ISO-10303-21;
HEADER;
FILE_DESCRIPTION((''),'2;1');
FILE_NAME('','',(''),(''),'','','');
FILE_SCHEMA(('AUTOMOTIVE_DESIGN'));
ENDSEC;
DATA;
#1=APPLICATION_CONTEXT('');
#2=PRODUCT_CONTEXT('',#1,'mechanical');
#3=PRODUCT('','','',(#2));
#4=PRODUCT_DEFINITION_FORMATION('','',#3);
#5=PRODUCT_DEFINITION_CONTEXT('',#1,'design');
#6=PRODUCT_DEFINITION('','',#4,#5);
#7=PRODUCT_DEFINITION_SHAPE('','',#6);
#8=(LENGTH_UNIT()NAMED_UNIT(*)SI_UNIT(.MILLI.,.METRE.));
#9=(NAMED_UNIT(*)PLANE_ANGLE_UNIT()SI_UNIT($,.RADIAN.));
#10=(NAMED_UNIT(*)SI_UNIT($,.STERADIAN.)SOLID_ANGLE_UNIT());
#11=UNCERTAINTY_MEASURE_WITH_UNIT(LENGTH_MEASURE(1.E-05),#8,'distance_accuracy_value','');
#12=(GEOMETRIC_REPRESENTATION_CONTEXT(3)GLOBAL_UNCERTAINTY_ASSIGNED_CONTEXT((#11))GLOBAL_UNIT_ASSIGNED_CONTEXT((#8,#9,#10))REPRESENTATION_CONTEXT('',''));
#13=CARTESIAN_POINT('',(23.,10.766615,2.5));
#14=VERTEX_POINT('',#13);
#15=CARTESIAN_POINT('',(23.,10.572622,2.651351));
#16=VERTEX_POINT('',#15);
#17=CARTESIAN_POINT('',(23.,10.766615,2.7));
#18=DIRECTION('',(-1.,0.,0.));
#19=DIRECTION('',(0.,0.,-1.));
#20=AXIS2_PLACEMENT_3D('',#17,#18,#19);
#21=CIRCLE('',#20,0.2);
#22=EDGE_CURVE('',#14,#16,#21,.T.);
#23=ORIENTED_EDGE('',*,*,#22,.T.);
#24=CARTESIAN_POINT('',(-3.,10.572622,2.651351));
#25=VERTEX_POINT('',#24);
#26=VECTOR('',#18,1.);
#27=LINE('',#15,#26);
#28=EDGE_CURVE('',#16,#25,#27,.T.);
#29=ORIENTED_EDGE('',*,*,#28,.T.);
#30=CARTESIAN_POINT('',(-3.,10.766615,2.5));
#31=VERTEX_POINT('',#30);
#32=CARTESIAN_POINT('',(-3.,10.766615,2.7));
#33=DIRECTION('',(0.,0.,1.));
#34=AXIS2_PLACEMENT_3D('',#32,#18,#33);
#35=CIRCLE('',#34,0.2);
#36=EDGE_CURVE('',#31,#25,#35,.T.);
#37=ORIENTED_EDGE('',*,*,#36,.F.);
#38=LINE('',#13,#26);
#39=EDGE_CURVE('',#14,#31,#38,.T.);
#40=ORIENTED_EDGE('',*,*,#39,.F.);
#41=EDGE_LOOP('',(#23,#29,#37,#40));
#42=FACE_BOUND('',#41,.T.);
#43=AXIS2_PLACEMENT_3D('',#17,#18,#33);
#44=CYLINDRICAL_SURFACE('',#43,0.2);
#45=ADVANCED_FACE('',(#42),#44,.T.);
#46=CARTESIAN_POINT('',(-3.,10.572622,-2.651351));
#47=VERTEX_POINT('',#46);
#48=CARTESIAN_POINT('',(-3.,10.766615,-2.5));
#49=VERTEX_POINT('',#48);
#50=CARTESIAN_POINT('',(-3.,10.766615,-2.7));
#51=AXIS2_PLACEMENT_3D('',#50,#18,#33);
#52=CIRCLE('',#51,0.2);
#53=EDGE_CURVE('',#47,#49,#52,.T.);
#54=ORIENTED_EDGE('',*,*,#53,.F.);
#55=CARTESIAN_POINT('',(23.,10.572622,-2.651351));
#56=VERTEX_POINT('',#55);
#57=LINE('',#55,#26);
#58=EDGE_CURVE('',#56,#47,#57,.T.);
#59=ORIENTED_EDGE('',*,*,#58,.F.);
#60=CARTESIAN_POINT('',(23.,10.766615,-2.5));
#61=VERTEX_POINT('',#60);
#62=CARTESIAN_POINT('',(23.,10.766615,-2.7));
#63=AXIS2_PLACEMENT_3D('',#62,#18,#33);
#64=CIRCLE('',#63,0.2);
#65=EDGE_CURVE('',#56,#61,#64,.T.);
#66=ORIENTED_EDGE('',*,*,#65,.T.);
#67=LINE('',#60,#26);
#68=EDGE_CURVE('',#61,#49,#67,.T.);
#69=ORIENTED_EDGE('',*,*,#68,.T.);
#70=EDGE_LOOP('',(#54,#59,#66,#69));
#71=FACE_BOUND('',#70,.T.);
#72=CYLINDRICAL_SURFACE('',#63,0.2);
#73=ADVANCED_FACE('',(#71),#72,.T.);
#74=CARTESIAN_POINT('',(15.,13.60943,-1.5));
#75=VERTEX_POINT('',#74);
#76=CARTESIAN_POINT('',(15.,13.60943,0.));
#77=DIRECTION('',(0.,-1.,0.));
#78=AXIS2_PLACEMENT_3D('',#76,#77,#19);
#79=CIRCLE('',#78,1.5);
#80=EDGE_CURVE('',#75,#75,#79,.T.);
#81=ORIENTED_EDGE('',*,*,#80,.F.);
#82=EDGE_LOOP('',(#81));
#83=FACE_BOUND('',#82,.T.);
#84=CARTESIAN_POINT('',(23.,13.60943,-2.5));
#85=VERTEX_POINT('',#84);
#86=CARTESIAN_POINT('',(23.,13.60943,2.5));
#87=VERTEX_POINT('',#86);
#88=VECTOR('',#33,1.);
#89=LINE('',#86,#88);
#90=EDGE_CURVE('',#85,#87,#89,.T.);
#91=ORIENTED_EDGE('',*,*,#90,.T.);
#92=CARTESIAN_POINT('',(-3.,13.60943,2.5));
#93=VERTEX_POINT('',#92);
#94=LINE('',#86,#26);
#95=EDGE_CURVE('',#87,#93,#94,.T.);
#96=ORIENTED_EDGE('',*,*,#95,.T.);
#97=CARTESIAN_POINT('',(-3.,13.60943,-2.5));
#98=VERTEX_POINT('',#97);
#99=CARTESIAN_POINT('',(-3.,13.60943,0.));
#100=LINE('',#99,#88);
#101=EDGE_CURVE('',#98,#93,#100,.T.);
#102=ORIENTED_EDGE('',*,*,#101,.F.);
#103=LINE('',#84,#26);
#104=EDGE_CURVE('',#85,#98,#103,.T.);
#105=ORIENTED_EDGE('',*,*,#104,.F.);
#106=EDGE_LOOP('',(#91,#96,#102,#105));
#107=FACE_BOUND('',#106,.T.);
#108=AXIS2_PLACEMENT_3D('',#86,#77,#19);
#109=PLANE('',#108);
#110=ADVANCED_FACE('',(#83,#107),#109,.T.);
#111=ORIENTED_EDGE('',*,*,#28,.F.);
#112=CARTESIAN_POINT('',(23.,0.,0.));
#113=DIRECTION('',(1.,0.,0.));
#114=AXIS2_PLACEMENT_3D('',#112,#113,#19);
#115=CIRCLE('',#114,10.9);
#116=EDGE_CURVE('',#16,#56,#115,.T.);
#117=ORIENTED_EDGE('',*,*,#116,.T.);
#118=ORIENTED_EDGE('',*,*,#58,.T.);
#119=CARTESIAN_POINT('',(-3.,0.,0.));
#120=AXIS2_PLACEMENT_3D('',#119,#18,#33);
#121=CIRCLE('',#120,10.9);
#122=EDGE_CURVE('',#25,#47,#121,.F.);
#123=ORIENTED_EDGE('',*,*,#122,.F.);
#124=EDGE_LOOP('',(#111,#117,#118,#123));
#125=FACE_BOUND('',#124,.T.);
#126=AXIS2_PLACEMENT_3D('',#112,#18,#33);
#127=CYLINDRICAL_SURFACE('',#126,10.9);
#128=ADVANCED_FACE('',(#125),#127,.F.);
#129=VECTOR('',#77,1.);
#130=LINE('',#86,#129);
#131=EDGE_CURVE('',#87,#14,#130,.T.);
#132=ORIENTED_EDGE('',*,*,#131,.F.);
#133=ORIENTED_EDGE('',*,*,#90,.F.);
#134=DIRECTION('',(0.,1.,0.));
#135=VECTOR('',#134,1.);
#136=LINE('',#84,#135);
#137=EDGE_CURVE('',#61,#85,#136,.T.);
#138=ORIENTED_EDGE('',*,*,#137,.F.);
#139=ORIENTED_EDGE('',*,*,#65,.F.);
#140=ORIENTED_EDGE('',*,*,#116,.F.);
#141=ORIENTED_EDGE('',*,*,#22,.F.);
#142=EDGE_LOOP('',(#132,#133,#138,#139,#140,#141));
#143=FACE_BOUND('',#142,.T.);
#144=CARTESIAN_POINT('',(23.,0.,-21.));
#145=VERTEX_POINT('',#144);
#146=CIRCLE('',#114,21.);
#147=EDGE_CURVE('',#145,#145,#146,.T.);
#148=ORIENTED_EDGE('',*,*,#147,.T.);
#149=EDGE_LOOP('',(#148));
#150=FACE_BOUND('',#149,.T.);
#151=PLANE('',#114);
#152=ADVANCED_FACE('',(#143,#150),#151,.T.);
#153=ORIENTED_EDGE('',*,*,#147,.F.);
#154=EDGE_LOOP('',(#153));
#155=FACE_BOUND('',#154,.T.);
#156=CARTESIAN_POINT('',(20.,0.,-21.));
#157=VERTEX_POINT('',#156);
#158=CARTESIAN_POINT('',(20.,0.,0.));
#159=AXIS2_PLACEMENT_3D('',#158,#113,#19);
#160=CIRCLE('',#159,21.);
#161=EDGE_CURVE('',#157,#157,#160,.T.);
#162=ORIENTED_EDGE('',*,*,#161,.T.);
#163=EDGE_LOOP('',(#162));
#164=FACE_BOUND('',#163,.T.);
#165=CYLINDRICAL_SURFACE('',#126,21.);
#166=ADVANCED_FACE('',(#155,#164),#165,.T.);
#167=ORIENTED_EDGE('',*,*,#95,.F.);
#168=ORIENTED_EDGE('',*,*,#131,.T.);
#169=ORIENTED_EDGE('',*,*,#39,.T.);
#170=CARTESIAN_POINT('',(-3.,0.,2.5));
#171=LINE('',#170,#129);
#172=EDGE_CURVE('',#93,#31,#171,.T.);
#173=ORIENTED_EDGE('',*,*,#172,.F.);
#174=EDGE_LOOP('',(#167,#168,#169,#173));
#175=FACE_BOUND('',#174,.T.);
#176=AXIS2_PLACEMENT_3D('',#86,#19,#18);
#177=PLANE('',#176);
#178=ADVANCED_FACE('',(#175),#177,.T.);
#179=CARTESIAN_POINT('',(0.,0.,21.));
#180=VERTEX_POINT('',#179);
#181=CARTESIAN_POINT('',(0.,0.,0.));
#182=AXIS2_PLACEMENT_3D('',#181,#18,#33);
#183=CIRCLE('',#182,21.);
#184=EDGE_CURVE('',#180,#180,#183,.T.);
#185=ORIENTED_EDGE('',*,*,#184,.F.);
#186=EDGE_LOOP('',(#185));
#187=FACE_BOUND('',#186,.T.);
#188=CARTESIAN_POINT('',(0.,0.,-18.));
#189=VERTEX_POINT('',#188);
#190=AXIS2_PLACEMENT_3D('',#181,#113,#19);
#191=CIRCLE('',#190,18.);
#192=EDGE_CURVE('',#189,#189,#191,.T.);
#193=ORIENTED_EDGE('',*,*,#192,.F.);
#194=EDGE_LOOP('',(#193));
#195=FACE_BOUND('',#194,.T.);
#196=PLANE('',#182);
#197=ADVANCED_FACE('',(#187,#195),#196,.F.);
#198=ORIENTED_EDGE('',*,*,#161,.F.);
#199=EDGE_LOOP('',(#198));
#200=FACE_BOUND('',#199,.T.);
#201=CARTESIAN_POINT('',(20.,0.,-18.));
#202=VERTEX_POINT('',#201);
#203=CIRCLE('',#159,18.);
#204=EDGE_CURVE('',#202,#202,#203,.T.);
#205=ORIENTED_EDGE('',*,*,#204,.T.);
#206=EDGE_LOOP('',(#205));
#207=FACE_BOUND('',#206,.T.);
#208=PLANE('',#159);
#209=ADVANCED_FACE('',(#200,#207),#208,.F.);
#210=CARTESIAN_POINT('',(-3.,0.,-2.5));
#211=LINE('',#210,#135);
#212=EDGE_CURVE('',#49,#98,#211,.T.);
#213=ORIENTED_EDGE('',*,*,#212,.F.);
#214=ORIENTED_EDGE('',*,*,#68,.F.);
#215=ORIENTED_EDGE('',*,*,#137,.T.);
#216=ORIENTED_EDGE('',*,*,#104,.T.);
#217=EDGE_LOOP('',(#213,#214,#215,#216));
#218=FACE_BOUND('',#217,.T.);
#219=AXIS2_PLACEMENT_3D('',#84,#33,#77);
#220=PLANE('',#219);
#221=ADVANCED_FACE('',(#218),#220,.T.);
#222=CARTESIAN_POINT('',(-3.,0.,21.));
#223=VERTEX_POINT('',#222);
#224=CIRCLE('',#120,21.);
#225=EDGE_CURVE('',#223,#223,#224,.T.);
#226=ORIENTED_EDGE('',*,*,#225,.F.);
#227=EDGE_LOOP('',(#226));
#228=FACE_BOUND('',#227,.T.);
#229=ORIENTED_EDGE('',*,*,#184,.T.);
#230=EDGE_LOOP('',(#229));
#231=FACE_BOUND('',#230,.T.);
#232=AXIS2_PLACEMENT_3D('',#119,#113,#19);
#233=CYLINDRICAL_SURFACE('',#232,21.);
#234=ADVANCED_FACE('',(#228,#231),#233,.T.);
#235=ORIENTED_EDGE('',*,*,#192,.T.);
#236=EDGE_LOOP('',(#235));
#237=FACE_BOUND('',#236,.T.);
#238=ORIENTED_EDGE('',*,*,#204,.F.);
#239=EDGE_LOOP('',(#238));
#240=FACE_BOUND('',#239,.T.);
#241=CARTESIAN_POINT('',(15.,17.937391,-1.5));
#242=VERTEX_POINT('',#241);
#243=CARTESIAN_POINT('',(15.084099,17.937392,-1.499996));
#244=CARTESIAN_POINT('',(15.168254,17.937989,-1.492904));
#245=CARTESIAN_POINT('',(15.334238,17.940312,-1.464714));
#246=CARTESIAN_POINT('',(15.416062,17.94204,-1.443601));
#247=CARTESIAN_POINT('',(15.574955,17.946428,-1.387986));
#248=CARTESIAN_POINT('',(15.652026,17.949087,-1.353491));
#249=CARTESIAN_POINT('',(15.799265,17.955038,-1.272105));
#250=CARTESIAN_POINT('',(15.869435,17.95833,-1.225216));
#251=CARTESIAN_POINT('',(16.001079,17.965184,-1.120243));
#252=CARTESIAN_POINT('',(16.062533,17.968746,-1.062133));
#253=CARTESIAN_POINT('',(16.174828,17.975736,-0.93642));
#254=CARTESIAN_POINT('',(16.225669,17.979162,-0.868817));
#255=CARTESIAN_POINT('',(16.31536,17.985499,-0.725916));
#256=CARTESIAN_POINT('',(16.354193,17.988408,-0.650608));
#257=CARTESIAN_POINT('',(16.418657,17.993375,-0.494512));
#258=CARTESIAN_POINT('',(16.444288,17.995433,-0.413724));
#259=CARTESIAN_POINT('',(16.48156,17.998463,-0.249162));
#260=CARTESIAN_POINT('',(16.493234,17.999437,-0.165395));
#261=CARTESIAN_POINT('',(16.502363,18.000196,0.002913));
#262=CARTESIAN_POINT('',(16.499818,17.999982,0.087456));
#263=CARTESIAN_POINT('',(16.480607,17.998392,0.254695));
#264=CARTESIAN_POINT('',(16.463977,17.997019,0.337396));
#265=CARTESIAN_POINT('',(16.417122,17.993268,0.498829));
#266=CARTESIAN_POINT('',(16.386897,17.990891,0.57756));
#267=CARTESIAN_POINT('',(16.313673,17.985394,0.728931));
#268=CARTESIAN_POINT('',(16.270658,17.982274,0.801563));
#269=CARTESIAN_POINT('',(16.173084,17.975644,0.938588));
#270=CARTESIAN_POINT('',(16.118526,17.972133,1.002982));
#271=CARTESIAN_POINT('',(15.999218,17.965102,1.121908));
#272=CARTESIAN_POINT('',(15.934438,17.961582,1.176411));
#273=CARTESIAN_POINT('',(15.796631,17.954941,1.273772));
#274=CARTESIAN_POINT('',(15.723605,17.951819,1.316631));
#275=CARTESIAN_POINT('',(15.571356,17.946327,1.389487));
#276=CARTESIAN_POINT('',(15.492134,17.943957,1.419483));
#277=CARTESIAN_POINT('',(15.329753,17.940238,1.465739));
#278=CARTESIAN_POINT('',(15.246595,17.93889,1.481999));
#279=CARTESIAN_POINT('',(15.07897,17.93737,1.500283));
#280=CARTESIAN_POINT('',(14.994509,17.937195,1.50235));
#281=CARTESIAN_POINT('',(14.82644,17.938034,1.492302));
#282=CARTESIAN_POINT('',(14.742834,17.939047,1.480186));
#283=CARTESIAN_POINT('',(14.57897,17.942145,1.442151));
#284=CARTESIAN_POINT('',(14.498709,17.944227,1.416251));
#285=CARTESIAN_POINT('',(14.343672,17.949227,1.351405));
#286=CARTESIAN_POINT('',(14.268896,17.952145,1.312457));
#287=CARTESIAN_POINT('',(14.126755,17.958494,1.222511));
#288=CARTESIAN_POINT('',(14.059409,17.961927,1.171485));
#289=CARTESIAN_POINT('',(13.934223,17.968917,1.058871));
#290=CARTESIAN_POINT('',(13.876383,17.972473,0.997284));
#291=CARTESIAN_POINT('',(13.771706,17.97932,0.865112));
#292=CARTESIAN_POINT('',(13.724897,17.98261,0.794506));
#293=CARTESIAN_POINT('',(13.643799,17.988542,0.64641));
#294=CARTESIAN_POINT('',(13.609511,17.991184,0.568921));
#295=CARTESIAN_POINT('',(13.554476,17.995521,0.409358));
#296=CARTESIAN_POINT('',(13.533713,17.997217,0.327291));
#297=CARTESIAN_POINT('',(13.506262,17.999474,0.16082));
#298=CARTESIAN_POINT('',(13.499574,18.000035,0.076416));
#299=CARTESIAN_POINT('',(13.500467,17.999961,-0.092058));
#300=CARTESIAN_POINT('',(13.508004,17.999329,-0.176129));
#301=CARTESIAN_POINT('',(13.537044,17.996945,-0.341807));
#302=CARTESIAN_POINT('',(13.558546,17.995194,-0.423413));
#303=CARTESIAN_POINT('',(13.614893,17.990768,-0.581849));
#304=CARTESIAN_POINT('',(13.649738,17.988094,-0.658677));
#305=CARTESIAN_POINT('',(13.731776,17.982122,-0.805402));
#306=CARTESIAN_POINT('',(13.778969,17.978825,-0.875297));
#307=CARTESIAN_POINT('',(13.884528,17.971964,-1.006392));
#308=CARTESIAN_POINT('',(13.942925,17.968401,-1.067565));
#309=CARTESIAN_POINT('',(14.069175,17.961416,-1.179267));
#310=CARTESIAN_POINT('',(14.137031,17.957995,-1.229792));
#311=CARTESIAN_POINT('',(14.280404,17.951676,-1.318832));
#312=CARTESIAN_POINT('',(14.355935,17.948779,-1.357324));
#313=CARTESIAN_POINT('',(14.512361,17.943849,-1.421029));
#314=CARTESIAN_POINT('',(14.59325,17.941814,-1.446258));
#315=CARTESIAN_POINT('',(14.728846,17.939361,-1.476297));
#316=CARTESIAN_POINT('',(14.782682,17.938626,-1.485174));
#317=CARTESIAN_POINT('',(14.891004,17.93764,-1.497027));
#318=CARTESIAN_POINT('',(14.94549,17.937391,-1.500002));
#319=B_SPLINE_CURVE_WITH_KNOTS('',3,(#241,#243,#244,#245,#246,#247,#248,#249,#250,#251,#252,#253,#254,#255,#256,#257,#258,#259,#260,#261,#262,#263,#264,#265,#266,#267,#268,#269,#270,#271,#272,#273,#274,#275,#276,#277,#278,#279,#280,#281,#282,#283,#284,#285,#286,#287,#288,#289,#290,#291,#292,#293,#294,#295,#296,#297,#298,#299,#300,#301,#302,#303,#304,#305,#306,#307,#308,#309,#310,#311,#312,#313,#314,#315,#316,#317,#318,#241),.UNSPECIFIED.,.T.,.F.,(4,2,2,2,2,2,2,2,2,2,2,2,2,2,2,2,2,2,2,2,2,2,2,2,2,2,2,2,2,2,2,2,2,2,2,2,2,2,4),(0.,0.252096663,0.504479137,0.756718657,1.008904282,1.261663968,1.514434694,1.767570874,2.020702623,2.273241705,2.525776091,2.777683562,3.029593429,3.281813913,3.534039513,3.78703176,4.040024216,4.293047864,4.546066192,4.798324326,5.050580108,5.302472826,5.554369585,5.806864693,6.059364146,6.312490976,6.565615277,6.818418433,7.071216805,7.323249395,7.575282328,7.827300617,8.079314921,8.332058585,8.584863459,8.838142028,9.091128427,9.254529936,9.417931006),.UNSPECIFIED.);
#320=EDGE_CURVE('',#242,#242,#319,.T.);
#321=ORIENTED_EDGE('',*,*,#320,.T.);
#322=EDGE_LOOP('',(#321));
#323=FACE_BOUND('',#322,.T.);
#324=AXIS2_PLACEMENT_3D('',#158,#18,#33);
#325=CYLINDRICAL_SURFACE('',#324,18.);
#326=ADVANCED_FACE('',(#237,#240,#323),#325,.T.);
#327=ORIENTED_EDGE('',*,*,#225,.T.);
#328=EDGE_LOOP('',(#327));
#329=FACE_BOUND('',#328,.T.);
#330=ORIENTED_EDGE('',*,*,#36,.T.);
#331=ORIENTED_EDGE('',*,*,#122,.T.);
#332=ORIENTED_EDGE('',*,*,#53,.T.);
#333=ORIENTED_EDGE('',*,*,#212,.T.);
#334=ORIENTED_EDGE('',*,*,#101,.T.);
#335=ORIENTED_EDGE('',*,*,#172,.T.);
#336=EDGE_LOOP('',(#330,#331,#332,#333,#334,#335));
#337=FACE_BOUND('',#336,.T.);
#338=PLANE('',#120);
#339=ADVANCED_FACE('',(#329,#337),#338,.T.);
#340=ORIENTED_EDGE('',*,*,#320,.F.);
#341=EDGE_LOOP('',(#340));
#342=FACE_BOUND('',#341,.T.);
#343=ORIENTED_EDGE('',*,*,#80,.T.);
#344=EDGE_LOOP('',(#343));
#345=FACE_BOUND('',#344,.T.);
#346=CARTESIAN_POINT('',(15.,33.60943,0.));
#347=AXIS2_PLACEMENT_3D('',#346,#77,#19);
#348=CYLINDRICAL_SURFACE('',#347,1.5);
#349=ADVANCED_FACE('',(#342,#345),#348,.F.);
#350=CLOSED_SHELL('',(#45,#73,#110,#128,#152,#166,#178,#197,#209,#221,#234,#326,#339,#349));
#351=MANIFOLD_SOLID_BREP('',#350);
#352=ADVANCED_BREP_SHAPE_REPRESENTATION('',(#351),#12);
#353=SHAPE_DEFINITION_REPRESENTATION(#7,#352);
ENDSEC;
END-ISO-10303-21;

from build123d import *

# Parameters (mm, degrees)
SKETCH1_R               = 18
BOSS_EXTRUDE1_DEPTH     = 20
SKETCH3_R               = 21
BOSS_EXTRUDE2_DEPTH     = 3
SKETCH4_R               = 21
BOSS_EXTRUDE3_DEPTH     = 3
CUT_EXTRUDE2_DEPTH      = 3
CUT_EXTRUDE2_DEPTH_BACK = 25
SKETCH6_R               = 1.5
CUT_EXTRUDE3_DEPTH      = 20


with BuildPart() as part:
    # Sketch1 → Boss-Extrude1 (new body)
    with BuildSketch(Plane(origin=(0, 0, 0), x_dir=(0, 0, -1), z_dir=(1, 0, 0))):
        Circle(SKETCH1_R)
    extrude(amount=BOSS_EXTRUDE1_DEPTH)

    # Sketch3 → Boss-Extrude2 (add)
    with BuildSketch(Plane(origin=(20, 0, 0), x_dir=(0, 0, -1), z_dir=(1, 0, 0))):
        Circle(SKETCH3_R)
    extrude(amount=BOSS_EXTRUDE2_DEPTH)

    # Sketch4 → Boss-Extrude3 (add)
    with BuildSketch(Plane.ZY):
        Circle(SKETCH4_R)
    extrude(amount=BOSS_EXTRUDE3_DEPTH)

    # Sketch2 → Cut-Extrude2 (cut, two sides)
    with BuildSketch(Plane(origin=(20, 0, 0), x_dir=(0, 0, -1), z_dir=(1, 0, 0))) as cut_extrude2_sk:
        with BuildLine():
            Line((-2.5, 13.609429768), (2.5, 13.609429768))
            Line((2.5, 13.609429768), (2.5, 10.766615067))
            ThreePointArc((2.5, 10.766615067), (2.542314031, 10.64359013), (2.651351351, 10.572622003))
            ThreePointArc((2.651351351, 10.572622003), (0, -10.9), (-2.651351351, 10.572622003))
            ThreePointArc((-2.651351351, 10.572622003), (-2.542314031, 10.64359013), (-2.5, 10.766615067))
            Line((-2.5, 10.766615067), (-2.5, 13.609429768))
        make_face()
    extrude(amount=CUT_EXTRUDE2_DEPTH, mode=Mode.SUBTRACT)
    extrude(cut_extrude2_sk.sketch, amount=-CUT_EXTRUDE2_DEPTH_BACK, mode=Mode.SUBTRACT)

    # Sketch6 → Cut-Extrude3 (cut)
    with BuildSketch(Plane.XZ.offset(-13.609429768)):
        with Locations((15, 0)):
            Circle(SKETCH6_R)
    extrude(amount=-CUT_EXTRUDE3_DEPTH, mode=Mode.SUBTRACT)


solid = part.part
